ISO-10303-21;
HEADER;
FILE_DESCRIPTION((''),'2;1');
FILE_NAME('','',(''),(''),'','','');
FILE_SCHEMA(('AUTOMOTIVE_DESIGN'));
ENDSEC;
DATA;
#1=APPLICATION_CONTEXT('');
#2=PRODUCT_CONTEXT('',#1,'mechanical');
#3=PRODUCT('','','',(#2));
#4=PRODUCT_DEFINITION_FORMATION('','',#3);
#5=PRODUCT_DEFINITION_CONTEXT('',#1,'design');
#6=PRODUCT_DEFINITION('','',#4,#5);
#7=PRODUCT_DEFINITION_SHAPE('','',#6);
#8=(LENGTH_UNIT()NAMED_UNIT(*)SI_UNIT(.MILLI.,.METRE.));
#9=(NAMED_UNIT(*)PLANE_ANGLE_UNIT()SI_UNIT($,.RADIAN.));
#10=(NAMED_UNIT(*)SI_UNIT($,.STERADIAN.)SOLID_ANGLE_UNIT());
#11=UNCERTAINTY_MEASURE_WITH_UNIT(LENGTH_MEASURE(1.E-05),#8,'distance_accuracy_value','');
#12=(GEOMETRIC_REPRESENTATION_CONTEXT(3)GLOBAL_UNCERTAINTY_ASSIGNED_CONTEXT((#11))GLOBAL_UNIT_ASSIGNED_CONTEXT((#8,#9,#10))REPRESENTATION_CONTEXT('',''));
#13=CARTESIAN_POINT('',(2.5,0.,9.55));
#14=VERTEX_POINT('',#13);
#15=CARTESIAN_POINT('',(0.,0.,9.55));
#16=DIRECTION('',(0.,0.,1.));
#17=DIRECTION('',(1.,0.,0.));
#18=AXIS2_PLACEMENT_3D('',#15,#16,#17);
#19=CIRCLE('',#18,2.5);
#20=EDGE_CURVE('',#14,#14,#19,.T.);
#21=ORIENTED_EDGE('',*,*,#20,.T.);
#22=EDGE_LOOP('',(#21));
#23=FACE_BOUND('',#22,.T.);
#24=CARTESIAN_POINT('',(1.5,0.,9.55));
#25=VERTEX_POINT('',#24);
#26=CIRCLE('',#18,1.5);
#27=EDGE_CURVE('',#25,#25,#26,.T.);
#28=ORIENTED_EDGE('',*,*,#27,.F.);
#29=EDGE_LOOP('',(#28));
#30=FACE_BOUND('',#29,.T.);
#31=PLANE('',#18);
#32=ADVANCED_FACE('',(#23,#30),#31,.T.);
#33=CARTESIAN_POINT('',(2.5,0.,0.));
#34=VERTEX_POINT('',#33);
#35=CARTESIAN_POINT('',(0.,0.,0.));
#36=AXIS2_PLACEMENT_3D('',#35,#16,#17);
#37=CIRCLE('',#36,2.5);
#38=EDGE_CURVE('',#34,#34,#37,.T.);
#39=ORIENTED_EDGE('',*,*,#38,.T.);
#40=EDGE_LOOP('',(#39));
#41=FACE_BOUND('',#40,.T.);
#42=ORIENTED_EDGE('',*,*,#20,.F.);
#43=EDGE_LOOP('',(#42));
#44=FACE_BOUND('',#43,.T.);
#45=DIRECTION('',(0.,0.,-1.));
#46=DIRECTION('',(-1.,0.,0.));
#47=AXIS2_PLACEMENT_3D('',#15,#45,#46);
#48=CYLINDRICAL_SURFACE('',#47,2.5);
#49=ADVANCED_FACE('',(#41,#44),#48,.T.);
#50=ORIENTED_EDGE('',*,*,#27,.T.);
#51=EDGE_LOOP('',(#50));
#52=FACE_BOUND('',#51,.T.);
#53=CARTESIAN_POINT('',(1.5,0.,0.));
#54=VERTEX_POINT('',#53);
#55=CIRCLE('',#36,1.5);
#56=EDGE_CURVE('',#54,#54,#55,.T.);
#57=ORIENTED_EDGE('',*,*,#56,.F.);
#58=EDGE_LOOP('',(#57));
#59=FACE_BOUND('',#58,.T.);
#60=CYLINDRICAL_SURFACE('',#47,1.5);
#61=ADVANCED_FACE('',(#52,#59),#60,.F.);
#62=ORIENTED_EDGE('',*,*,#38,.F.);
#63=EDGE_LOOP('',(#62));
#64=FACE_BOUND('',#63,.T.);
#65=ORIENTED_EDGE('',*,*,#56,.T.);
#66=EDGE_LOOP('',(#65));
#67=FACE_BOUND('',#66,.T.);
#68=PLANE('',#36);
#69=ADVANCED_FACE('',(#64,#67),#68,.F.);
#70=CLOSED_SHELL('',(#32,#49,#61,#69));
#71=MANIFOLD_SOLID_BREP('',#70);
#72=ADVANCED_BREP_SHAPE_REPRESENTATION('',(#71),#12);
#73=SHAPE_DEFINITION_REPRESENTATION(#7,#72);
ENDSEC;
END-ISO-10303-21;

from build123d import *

# Parameters (mm, degrees)
SKETCH2_R           = 2.5
SKETCH2_R_2         = 1.5
BOSS_EXTRUDE1_DEPTH = 9.55


with BuildPart() as part:
    # Sketch2 → Boss-Extrude1 (new body)
    with BuildSketch(Plane.XY):
        Circle(SKETCH2_R)
        Circle(SKETCH2_R_2, mode=Mode.SUBTRACT)
    extrude(amount=BOSS_EXTRUDE1_DEPTH)


solid = part.part
